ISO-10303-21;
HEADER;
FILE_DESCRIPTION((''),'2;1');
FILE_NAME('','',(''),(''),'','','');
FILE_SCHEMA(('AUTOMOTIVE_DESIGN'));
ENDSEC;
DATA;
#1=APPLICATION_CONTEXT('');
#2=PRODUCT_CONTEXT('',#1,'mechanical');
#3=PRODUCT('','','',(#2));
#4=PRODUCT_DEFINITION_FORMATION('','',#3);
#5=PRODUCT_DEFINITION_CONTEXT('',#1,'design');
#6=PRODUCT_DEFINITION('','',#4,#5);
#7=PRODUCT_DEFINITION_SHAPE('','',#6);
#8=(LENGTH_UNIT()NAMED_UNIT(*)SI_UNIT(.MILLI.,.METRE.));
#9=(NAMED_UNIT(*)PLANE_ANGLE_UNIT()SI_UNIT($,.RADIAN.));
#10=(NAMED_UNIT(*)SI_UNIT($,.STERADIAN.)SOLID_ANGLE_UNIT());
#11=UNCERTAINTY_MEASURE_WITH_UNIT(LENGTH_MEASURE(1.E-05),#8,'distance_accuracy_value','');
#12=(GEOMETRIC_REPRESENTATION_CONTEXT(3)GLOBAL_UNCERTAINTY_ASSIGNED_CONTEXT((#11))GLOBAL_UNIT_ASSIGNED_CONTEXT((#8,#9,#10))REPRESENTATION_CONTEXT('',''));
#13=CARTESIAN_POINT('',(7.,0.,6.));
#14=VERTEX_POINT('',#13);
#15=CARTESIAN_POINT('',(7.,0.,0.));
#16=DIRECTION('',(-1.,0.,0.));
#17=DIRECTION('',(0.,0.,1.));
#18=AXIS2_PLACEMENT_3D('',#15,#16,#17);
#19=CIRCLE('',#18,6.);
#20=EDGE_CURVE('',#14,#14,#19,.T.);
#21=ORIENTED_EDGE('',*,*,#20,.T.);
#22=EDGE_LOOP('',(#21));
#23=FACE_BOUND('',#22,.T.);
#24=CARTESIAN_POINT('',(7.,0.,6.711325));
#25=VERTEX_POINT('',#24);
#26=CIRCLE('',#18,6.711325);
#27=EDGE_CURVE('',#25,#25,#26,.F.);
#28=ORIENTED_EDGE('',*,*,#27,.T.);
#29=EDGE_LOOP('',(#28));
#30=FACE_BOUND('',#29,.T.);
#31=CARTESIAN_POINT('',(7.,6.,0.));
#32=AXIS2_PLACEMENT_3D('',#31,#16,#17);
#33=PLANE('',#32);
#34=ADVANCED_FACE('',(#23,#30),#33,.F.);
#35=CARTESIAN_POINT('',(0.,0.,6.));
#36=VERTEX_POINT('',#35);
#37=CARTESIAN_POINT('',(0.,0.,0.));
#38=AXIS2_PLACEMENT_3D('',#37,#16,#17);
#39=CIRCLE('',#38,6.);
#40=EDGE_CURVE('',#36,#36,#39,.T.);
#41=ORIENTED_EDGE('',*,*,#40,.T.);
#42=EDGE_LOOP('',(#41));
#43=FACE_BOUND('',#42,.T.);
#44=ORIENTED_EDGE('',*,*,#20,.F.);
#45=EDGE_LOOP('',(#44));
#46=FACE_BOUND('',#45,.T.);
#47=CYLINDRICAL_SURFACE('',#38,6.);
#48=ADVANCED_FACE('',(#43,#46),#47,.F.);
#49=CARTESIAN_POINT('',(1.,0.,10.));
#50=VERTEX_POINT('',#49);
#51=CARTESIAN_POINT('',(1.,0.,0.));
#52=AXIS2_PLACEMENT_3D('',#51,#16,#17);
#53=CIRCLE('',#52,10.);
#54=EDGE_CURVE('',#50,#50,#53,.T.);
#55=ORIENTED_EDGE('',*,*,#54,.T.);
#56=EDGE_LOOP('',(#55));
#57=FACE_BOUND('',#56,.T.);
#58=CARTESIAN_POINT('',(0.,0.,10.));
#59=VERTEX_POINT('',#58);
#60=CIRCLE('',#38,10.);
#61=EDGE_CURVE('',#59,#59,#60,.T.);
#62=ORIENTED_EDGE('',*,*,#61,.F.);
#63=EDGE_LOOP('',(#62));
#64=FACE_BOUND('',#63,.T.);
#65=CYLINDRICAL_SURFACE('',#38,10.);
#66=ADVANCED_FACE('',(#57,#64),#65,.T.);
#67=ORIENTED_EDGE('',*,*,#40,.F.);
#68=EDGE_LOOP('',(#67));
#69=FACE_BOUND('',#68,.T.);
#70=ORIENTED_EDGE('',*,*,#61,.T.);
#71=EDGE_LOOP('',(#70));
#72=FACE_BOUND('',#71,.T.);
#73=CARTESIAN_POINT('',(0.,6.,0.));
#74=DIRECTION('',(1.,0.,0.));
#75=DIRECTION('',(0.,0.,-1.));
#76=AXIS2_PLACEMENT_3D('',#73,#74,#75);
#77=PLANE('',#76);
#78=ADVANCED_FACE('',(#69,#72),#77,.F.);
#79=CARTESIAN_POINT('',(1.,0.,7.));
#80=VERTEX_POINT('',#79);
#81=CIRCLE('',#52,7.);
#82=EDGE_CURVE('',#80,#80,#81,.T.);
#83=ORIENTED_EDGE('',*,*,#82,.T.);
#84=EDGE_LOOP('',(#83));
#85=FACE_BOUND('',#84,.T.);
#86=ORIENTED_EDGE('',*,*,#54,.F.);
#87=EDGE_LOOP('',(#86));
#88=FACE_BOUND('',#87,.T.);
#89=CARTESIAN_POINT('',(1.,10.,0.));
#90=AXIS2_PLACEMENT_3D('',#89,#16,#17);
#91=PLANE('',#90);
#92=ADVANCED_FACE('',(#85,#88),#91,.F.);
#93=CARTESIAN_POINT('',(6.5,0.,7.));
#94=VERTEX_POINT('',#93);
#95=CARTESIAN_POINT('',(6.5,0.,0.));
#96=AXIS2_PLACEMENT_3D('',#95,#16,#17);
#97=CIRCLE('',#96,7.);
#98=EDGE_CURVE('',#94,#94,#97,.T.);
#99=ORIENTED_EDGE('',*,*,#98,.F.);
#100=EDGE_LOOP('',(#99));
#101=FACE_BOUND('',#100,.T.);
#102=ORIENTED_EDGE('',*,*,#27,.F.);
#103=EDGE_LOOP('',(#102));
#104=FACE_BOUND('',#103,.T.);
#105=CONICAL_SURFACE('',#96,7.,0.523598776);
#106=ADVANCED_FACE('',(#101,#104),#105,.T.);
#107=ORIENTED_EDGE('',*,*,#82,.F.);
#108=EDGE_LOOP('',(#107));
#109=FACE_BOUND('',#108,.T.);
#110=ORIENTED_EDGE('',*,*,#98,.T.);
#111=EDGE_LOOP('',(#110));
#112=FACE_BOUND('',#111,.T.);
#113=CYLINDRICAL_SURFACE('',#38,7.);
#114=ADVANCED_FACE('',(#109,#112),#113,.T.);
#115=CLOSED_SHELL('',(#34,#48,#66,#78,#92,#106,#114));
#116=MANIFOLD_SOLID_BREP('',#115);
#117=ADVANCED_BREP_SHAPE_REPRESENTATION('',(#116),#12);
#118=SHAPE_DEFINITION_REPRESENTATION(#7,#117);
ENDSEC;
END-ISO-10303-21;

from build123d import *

# Parameters (mm, degrees)
SFAZOWANIE1_SIZE  = 0.5
SFAZOWANIE1_SIZE2 = 0.288675135


with BuildPart() as part:
    # Szkic1 → Obrót1 (revolve)
    with BuildSketch(Plane.XY):
        Polygon((0, 6), (7, 6), (7, 7), (1, 7), (1, 10), (0, 10), align=None)
    revolve(axis=Axis((0, 0, 0), (1, 0, 0)))

    # Sfazowanie1
    sfazowanie1_edges = [part.edges().sort_by_distance(p)[0] for p in [
        (7, -7, 0),
    ]]
    sfazowanie1_side = [part.faces().sort_by_distance(p)[0] for p in [
        (4, -7, 0),
    ]]
    chamfer(sfazowanie1_edges, length=SFAZOWANIE1_SIZE, length2=SFAZOWANIE1_SIZE2, reference=sfazowanie1_side[0])


solid = part.part
